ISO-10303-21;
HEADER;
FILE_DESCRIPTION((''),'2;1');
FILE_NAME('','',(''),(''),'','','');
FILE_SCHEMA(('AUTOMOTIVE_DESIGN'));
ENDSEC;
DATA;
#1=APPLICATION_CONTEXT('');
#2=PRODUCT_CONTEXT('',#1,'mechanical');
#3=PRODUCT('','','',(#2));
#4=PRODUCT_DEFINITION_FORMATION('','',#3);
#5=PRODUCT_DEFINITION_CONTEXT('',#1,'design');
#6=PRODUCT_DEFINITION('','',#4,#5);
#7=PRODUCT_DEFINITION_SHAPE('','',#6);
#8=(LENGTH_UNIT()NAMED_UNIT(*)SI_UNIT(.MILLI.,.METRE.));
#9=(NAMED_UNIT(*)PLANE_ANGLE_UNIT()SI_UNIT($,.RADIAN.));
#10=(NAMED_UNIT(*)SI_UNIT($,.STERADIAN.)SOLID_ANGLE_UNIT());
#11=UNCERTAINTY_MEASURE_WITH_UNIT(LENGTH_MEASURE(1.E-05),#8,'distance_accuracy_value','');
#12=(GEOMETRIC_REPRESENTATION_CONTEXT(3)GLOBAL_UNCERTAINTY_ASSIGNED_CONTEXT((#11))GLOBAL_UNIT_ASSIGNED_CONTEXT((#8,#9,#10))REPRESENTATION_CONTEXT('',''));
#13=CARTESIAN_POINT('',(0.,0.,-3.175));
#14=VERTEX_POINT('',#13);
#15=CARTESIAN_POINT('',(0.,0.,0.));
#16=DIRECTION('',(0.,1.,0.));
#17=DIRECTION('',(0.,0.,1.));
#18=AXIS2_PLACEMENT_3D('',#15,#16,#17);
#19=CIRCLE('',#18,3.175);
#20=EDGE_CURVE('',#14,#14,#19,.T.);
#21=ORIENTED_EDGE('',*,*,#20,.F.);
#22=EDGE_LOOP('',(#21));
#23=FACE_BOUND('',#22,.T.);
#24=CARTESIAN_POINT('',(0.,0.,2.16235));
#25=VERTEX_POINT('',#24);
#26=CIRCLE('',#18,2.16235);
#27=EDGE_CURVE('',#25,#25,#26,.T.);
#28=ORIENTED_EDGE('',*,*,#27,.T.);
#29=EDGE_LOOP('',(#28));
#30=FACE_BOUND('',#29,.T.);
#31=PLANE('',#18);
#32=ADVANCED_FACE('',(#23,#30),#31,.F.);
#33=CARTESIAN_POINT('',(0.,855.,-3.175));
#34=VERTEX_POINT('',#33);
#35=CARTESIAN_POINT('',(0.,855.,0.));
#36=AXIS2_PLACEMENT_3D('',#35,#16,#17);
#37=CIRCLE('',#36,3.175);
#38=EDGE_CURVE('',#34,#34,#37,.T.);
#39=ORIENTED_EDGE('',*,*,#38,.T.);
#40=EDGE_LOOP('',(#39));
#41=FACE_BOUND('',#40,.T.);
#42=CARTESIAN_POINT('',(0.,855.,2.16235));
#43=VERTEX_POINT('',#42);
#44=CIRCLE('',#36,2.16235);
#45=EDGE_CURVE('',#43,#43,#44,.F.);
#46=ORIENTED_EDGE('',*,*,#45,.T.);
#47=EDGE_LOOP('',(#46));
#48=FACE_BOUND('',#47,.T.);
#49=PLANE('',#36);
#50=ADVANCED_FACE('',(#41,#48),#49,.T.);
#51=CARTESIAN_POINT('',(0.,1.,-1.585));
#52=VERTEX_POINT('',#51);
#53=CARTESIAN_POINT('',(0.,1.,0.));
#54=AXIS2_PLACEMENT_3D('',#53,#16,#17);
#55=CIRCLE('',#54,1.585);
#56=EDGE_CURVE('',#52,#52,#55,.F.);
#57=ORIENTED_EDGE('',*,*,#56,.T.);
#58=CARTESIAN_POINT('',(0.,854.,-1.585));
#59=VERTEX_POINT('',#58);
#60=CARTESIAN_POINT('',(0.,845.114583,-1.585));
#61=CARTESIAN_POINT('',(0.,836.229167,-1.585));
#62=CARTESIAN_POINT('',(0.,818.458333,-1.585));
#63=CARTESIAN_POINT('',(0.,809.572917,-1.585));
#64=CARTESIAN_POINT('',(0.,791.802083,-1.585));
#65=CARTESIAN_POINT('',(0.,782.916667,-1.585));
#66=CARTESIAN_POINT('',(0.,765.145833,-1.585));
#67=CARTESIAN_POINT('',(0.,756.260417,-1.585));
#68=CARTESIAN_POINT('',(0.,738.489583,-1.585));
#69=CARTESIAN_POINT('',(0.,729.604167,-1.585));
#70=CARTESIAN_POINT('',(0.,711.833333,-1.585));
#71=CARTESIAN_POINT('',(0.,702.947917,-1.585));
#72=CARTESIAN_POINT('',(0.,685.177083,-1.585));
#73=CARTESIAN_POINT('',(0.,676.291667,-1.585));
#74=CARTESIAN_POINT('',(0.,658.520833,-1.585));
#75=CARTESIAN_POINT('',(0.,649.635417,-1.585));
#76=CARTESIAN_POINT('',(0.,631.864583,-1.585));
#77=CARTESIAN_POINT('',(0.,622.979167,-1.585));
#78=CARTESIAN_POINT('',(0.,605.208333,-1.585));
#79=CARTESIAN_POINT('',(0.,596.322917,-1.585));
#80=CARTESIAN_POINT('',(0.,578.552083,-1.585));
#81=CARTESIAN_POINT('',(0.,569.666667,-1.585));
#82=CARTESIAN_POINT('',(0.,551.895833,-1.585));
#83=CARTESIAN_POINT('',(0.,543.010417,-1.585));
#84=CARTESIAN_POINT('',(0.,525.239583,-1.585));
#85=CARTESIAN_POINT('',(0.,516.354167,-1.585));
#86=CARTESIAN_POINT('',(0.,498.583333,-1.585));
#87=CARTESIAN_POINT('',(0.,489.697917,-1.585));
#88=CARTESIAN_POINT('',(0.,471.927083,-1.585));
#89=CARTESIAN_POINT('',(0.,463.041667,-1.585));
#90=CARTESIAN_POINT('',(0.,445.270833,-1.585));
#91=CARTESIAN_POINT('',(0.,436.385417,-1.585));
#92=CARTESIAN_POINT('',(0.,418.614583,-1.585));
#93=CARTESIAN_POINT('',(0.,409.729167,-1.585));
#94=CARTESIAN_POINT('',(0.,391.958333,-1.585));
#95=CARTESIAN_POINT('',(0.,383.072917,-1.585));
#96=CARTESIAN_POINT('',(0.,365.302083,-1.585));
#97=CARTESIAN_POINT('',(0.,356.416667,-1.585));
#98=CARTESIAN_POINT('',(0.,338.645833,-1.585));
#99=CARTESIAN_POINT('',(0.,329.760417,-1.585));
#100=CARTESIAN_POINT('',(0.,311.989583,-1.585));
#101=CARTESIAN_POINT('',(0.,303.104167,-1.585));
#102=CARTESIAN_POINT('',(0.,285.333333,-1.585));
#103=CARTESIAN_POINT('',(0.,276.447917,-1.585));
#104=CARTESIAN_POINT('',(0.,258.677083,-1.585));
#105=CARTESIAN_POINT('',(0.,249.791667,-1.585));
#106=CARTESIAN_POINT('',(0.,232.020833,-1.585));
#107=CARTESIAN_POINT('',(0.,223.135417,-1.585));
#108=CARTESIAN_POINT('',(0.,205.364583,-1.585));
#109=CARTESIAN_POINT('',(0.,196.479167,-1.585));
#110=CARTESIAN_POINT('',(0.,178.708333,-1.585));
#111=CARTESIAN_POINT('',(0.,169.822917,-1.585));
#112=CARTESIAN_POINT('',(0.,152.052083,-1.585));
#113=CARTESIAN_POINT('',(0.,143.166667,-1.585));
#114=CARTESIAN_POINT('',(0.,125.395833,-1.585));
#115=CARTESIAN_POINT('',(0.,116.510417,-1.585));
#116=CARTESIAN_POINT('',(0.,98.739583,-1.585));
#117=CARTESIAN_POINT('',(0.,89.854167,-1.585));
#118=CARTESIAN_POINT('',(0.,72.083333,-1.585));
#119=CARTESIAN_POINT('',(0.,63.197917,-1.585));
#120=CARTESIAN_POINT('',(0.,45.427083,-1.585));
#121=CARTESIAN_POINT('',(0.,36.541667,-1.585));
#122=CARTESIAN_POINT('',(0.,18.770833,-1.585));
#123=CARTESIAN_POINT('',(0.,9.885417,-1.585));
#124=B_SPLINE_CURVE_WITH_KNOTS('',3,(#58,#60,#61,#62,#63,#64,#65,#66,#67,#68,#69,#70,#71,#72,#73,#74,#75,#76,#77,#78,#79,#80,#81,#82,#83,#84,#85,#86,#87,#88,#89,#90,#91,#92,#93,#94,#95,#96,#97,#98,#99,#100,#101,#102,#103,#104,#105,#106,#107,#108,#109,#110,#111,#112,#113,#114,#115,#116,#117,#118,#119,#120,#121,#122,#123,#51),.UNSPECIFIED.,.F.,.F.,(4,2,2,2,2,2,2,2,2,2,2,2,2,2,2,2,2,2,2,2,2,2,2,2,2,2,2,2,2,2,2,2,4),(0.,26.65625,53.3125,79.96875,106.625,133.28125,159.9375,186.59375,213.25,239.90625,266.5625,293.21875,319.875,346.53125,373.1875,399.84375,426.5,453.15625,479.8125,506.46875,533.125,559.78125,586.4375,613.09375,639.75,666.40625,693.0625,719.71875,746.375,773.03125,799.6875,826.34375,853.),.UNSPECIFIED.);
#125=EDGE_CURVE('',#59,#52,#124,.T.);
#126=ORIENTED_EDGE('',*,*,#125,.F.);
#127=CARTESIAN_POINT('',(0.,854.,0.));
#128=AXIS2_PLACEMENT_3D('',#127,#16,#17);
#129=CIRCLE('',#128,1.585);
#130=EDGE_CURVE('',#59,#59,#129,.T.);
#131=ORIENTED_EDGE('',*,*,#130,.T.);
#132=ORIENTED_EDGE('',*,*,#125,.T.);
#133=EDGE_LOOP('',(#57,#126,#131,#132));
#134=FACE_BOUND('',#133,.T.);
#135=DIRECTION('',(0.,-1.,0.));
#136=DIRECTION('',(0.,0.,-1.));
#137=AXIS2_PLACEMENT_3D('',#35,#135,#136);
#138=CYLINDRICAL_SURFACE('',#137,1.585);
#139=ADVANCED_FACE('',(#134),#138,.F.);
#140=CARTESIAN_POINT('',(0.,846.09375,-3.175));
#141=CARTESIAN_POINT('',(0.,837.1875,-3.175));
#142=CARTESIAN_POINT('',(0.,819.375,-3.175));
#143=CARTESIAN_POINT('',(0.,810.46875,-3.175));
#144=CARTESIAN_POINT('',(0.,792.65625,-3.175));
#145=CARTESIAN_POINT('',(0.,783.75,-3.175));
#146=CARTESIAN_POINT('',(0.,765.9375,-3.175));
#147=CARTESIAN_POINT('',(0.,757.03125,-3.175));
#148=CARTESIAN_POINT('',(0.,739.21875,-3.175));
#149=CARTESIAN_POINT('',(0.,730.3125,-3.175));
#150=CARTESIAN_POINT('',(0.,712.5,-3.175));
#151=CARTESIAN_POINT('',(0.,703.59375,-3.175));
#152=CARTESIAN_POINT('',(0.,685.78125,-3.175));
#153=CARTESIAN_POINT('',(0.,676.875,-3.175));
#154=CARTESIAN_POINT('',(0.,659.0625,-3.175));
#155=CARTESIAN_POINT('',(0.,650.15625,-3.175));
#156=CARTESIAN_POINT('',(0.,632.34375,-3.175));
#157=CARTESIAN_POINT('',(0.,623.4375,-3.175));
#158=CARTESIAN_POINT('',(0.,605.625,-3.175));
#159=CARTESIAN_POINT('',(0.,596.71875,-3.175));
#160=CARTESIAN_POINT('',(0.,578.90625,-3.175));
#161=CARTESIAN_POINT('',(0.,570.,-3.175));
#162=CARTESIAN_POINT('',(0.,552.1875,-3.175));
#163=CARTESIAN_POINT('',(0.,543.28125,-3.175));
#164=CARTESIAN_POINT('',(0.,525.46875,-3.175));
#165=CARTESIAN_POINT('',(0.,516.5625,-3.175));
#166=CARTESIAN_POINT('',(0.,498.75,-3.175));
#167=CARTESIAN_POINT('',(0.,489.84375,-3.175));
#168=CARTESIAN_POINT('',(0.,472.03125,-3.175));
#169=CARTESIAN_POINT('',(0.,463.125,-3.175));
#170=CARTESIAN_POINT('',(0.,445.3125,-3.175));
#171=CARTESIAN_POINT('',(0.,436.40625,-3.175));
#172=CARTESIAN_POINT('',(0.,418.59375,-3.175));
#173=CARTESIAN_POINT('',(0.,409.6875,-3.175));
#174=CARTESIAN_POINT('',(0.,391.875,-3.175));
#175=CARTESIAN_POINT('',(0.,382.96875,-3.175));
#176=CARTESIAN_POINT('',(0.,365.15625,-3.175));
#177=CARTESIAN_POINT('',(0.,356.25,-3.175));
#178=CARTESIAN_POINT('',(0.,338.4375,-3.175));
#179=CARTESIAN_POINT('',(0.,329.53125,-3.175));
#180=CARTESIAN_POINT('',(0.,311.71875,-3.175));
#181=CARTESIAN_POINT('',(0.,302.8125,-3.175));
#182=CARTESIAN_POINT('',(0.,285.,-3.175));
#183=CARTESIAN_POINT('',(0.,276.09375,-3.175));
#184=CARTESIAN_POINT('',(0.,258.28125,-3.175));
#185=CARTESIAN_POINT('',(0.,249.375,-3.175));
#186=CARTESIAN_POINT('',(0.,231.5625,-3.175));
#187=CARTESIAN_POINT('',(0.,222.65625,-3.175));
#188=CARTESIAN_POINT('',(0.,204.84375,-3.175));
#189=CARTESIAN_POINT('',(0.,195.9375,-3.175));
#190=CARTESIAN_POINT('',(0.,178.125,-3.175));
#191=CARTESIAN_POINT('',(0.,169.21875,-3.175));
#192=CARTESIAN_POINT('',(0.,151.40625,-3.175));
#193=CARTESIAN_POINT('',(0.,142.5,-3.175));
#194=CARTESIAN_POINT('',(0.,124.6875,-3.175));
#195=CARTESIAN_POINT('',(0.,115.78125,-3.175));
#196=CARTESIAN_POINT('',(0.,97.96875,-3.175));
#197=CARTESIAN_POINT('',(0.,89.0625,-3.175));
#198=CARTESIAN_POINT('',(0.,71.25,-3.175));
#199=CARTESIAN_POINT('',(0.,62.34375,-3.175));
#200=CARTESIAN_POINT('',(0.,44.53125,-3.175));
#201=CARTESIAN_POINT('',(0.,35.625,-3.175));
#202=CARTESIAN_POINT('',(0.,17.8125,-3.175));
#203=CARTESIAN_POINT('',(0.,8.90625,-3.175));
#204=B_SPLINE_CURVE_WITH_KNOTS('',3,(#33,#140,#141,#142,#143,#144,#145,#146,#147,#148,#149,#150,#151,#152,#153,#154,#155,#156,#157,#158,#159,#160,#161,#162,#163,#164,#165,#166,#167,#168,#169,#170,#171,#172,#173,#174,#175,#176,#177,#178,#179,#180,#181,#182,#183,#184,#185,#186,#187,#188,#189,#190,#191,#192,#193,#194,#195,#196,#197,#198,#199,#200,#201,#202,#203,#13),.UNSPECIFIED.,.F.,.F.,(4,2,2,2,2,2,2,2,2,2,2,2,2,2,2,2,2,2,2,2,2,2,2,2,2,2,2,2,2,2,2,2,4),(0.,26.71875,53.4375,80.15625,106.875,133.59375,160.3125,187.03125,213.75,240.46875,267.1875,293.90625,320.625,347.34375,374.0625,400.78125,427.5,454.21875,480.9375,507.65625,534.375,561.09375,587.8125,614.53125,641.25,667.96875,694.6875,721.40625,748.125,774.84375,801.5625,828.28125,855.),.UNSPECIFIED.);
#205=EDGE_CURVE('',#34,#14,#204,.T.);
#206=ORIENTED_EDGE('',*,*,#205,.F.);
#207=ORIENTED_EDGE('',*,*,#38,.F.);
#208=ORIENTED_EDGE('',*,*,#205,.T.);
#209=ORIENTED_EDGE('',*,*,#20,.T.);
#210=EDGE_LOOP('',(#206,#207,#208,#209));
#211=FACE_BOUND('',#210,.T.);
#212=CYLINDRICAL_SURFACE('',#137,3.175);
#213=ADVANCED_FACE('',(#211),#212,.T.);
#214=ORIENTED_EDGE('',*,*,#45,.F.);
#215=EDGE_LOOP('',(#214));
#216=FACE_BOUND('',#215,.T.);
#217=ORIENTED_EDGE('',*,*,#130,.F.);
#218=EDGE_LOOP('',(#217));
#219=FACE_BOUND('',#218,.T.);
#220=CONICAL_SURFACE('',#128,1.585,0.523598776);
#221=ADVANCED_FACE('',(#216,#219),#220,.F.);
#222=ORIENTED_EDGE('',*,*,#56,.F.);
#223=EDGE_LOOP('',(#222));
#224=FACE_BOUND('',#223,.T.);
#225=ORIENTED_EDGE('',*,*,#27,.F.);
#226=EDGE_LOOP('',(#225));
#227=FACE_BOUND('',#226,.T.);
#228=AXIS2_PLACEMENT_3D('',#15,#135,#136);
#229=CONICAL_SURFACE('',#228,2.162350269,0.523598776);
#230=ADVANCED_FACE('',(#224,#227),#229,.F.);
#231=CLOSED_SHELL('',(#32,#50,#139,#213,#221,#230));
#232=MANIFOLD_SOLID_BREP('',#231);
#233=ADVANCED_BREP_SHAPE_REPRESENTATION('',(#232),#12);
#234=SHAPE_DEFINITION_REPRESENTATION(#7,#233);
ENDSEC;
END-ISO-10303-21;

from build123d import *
from OCP.BRepFilletAPI import BRepFilletAPI_MakeChamfer

# Parameters (mm, degrees)
CROQUIS7_R              = 3.175
CROQUIS7_R_2            = 1.585
CHAFL_N2_SIZE           = 1
CHAFL_N2_SIZE2          = 0.577350269
CROQUIS7_3_R            = 3.175
CROQUIS7_3_R_2          = 1.585
SALIENTE_EXTRUIR2_DEPTH = 855
CHAFL_N3_SIZE           = 1
CHAFL_N3_SIZE2          = 0.577350269


with BuildPart() as part:
    # Barrer4: sweep along a path in Croquis6
    with BuildLine(Plane.XY) as barrer4_path:
        Line((0, 0), (0, 100))
        ThreePointArc((0, 100), (3.620568169, 173.605324125), (14.447316639, 246.5))
        ThreePointArc((14.447316639, 246.5), (208.645238435, 390.471063639), (370.979960645, 211.34))
        Line((370.979960645, 211.34), (370.979960645, 86))
    # Croquis7 → Barrer4 (sweep)
    with BuildSketch(Plane(origin=(0, 0, 0), x_dir=(1, 0, 0), z_dir=(0, 1, 0))):
        Circle(CROQUIS7_R)
        Circle(CROQUIS7_R_2, mode=Mode.SUBTRACT)
    sweep(path=barrer4_path.line)

    # Chaflán2: one chamfer whose edges measure the first distance from different faces: ONE call of the kernel's chamfer builder (chamfer() names one face for all edges)
    chafl_n2_edges_1 = [part.edges().sort_by_distance(p)[0] for p in [
        (-1.585, 0, 0),
    ]]
    chafl_n2_side_1 = [part.faces().sort_by_distance(p)[0] for p in [
        (-1.585, 50, 0),
    ]]
    chafl_n2_edges_2 = [part.edges().sort_by_distance(p)[0] for p in [
        (372.564960645, 86, 0),
    ]]
    chafl_n2_side_2 = [part.faces().sort_by_distance(p)[0] for p in [
        (372.564960645, 148.67, 0),
    ]]
    chafl_n2 = BRepFilletAPI_MakeChamfer(part.part.solid().wrapped)
    for e in chafl_n2_edges_1:
        chafl_n2.Add(CHAFL_N2_SIZE, CHAFL_N2_SIZE2, e.wrapped, chafl_n2_side_1[0].wrapped)  # the first distance lies on this face
    for e in chafl_n2_edges_2:
        chafl_n2.Add(CHAFL_N2_SIZE, CHAFL_N2_SIZE2, e.wrapped, chafl_n2_side_2[0].wrapped)  # the first distance lies on this face
    add(Compound.cast(chafl_n2.Shape()), mode=Mode.REPLACE)


with BuildPart() as body_2:
    # Croquis7<3> → Saliente-Extruir2 (new body)
    with BuildSketch(Plane(origin=(0, 0, 0), x_dir=(1, 0, 0), z_dir=(0, 1, 0))):
        Circle(CROQUIS7_3_R)
        Circle(CROQUIS7_3_R_2, mode=Mode.SUBTRACT)
    extrude(amount=SALIENTE_EXTRUIR2_DEPTH)

    # Chaflán3
    chafl_n3_edges = [body_2.edges().sort_by_distance(p)[0] for p in [
        (-1.585, 0, 0),
        (-1.585, 855, 0),
    ]]
    chafl_n3_side = [body_2.faces().sort_by_distance(p)[0] for p in [
        (-1.585, 427.5, 0),
    ]]
    chamfer(chafl_n3_edges, length=CHAFL_N3_SIZE, length2=CHAFL_N3_SIZE2, reference=chafl_n3_side[0])


solid = body_2.part
